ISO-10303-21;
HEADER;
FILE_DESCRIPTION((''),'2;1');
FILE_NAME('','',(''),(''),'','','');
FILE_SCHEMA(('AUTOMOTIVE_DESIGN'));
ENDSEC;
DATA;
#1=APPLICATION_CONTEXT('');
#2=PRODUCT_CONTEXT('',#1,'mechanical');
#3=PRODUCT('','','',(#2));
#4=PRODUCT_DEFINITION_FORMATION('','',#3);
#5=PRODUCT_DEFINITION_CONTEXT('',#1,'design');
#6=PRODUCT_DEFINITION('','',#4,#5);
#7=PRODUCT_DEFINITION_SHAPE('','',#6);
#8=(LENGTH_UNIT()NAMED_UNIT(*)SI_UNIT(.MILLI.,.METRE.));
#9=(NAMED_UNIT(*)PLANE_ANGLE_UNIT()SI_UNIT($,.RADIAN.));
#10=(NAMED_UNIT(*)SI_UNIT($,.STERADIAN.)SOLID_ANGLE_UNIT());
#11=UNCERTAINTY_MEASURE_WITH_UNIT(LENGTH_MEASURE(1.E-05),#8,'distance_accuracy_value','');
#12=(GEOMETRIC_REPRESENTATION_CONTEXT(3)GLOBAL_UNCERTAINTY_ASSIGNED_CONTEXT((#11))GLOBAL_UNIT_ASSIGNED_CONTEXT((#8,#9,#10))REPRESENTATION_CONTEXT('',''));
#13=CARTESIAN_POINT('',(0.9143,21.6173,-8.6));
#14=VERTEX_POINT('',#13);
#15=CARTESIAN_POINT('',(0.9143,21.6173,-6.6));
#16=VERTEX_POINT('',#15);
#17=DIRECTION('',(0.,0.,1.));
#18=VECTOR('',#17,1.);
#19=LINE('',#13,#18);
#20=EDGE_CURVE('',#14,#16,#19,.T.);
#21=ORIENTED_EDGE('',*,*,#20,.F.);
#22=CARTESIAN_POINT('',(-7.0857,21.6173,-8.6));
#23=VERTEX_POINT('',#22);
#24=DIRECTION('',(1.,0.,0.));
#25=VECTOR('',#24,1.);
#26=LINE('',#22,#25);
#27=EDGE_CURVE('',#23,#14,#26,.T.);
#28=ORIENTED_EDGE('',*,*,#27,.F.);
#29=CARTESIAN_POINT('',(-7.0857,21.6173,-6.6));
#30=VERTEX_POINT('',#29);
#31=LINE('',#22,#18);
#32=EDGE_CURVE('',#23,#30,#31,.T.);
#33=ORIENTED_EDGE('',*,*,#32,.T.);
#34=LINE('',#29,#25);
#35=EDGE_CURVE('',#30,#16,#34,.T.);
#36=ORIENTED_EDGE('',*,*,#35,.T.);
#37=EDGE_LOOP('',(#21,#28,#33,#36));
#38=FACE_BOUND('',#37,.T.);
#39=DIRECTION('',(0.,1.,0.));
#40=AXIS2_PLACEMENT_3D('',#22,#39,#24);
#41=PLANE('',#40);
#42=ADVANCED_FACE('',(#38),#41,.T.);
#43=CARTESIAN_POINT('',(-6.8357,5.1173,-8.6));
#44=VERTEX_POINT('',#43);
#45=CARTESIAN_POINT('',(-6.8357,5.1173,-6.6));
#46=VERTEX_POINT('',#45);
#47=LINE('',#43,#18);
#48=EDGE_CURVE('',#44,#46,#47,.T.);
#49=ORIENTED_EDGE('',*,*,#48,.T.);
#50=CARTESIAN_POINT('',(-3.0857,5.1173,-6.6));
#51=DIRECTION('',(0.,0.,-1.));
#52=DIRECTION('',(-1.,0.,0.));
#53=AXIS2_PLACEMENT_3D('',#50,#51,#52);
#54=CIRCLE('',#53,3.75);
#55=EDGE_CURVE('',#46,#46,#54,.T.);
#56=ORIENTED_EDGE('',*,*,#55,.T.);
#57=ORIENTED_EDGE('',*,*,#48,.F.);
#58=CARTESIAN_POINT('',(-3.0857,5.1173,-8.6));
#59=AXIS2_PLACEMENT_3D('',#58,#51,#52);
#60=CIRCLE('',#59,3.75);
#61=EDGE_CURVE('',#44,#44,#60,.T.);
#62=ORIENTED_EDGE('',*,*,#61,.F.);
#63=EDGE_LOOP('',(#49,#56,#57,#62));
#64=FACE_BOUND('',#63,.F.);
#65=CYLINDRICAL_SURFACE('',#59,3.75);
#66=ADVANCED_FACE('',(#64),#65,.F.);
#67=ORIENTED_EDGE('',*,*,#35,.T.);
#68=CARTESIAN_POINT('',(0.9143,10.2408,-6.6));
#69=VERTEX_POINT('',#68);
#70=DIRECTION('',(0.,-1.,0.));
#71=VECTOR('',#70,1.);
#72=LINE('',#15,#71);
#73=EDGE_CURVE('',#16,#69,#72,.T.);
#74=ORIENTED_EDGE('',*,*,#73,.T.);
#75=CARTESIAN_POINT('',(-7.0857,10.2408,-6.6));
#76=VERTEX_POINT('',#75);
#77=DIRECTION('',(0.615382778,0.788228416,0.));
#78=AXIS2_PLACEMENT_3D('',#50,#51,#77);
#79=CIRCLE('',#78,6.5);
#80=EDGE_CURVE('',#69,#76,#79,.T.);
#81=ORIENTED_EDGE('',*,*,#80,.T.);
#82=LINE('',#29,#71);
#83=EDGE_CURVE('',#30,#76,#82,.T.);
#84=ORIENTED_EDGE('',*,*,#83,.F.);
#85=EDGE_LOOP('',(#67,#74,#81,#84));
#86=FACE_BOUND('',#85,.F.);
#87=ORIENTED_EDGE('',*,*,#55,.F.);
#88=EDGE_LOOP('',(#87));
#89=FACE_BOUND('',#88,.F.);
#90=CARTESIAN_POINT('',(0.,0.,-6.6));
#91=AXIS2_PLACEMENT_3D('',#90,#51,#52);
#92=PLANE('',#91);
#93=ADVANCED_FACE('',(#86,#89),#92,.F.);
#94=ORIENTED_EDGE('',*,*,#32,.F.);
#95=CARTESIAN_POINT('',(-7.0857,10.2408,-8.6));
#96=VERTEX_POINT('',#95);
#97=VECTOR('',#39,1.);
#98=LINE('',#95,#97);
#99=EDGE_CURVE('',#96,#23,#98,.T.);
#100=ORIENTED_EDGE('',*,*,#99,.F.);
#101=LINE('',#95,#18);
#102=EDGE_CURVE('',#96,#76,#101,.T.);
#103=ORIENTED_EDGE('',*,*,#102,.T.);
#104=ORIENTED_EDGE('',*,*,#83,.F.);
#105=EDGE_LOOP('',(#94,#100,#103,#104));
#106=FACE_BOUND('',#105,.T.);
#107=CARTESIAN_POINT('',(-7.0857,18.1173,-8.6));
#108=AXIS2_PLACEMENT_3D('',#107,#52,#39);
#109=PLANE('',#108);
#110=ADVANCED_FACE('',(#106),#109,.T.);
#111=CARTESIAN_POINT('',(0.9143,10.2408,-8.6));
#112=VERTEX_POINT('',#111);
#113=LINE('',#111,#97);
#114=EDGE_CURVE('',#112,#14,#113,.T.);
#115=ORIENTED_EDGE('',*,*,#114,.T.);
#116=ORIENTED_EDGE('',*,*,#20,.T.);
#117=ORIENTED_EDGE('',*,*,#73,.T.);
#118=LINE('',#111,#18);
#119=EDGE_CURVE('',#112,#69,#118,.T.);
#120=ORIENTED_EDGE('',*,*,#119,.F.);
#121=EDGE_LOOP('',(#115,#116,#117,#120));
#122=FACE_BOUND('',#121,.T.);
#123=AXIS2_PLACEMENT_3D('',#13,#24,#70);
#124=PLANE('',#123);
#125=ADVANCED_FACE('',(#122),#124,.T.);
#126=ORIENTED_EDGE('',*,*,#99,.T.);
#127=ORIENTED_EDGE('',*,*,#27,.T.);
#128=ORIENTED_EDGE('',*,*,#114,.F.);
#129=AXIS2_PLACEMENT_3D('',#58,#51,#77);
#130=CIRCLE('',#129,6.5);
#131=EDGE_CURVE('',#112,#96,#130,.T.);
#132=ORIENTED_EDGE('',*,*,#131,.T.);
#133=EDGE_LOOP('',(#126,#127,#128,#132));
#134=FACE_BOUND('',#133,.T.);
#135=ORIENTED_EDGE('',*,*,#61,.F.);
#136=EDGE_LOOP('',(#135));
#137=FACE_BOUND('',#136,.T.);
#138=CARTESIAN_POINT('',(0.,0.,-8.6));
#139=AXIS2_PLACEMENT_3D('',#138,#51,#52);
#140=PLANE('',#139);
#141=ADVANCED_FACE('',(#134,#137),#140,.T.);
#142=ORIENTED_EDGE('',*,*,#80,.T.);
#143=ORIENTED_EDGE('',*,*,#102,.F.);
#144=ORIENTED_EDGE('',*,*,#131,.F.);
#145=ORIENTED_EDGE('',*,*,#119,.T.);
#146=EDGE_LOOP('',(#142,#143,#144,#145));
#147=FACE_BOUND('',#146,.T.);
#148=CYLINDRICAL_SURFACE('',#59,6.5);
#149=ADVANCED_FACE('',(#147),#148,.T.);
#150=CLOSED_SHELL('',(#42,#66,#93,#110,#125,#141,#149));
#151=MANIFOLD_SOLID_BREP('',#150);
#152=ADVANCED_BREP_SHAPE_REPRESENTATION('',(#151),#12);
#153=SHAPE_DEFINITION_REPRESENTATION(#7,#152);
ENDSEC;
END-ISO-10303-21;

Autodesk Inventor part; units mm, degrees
ref_plane "YZ Plane" through (0, 0, 0) normal (1, 0, 0) x (0, 1, 0)
ref_plane "XZ Plane" through (0, 0, 0) normal (0, 1, 0) x (-1, 0, 0)
ref_plane "Work Plane1" through (0, 0, -6.6) normal (0, 0, -1) x (-1, 0, 0)
sketch "Sketch1" plane through (0, 0, -6.6) normal (0, 0, -1) x (-1, 0, 0)
  circle A0 centre (3.0857, 5.1173) radius 10 projected
  line L0 (-6.9143, 5.1173) -> (-6.9143, 18.1173)
  line L1 (-6.9143, 18.1173) -> (13.0857, 18.1173)
  line L2 (13.0857, 18.1173) -> (13.0857, 5.1173)
  circle A1 centre (0, 0) radius 5
  point P0 (0, 0)
  dimension "d24" = 13
  dimension "d25" = 20
ref_plane "Work Plane2" through (-10, -10, -4.4) normal (0, 0, 1) x (1, 0, 0)
extrude "Extrusion1" add sketch "Sketch1" along normal blind 2 contours A0 A1 | A0 L0 L1 L2 | A0 A1 picked at (6.1055, 10.6249) picked at (0.8611, -2.5748)
sketch "Sketch9" plane through (0, 0, -8.6) normal (0, 0, -1) x (-1, 0, 0)
  circle A0 centre (3.0857, 5.1173) radius 5 construction
  arc A1 (-6.9143, 5.1173) -> (13.0857, 5.1173) centre (3.0857, 5.1173) ccw projected
  circle A2 centre (3.0857, 5.1173) radius 3.75
  dimension "d43" = 7.5
extrude "Extrusion6" cut sketch "Sketch9" against normal up to surface (2 mm away)
sketch "Sketch10" plane through (0, 0, -8.6) normal (0, 0, -1) x (-1, 0, 0)
  arc A0 (-6.9143, 5.1173) -> (13.0857, 5.1173) centre (3.0857, 5.1173) ccw projected
  line L0 (3.0857, -4.8827) -> (3.0857, -2.8827)
  line L1 (3.0857, -2.8827) -> (4.5857, -2.8827)
  line L2 (4.5857, -2.8827) -> (3.0857, -2.8827)
  line L3 (-2.1325, -2.8827) -> (-2.1325, -5.7607)
  line L4 (4.5857, -2.8827) -> (4.5857, -3.3119)
  line L5 (-2.1325, -5.7607) -> (-2.1325, -7.2943)
  line L6 (4.5857, -3.3119) -> (4.5857, -2.7408)
  line L7 (-4, 15) -> (-4, 13) construction
  line L8 (4, 13) -> (4, 15) construction
  line L9 (13.0857, 18.1173) -> (-6.9143, 18.1173) projected
  line L10 (-6.9143, 18.1173) -> (13.0857, 18.1173)
  line L11 (-6.9143, 18.1173) -> (-6.9143, 5.1173)
  line L12 (13.0857, 18.1173) -> (13.0857, 5.1173)
  arc A1 (-6.9143, 5.1173) -> (13.0857, 5.1173) centre (3.0857, 5.1173) ccw
  circle A2 centre (3.0857, 5.1173) radius 6.5
  line L13 (3.0857, 5.1173) -> (3.0857, 11.6173) construction
  line L14 (3.0857, 11.6173) -> (7.0857, 11.6173)
  line L15 (7.0857, 11.6173) -> (3.0857, 11.6173)
  line L16 (3.0857, 11.6173) -> (-0.9143, 11.6173)
  line L17 (-0.9143, 10.2408) -> (-0.9143, 18.1173)
  line L18 (-0.9143, 18.1173) -> (7.0857, 18.1173)
  line L19 (7.0857, 18.1173) -> (7.0857, 10.2408)
  point P0 (5.6921, -0.9362)
  dimension "d31" = 2
  dimension "d37" = 1.5
  dimension "d44" = 4
  dimension "d45" = 4
extrude "Extrusion8" cut sketch "Sketch10" against normal up to next contours A0 L11 L9 L17 A2 L19 L12
sketch "Sketch11" plane through (0, 0, -8.6) normal (0, 0, -1) x (-1, 0, 0)
  line L0 (7.0857, 18.1173) -> (-0.9143, 18.1173) projected
  line L1 (7.0857, 18.1173) -> (7.0857, 21.6173)
  line L2 (7.0857, 21.6173) -> (-0.9143, 21.6173)
  line L3 (-0.9143, 21.6173) -> (-0.9143, 18.1173)
  point P0 (0, 0)
  dimension "d46" = 3.5
extrude "Extrusion9" add sketch "Sketch11" against normal up to surface (2 mm away)
